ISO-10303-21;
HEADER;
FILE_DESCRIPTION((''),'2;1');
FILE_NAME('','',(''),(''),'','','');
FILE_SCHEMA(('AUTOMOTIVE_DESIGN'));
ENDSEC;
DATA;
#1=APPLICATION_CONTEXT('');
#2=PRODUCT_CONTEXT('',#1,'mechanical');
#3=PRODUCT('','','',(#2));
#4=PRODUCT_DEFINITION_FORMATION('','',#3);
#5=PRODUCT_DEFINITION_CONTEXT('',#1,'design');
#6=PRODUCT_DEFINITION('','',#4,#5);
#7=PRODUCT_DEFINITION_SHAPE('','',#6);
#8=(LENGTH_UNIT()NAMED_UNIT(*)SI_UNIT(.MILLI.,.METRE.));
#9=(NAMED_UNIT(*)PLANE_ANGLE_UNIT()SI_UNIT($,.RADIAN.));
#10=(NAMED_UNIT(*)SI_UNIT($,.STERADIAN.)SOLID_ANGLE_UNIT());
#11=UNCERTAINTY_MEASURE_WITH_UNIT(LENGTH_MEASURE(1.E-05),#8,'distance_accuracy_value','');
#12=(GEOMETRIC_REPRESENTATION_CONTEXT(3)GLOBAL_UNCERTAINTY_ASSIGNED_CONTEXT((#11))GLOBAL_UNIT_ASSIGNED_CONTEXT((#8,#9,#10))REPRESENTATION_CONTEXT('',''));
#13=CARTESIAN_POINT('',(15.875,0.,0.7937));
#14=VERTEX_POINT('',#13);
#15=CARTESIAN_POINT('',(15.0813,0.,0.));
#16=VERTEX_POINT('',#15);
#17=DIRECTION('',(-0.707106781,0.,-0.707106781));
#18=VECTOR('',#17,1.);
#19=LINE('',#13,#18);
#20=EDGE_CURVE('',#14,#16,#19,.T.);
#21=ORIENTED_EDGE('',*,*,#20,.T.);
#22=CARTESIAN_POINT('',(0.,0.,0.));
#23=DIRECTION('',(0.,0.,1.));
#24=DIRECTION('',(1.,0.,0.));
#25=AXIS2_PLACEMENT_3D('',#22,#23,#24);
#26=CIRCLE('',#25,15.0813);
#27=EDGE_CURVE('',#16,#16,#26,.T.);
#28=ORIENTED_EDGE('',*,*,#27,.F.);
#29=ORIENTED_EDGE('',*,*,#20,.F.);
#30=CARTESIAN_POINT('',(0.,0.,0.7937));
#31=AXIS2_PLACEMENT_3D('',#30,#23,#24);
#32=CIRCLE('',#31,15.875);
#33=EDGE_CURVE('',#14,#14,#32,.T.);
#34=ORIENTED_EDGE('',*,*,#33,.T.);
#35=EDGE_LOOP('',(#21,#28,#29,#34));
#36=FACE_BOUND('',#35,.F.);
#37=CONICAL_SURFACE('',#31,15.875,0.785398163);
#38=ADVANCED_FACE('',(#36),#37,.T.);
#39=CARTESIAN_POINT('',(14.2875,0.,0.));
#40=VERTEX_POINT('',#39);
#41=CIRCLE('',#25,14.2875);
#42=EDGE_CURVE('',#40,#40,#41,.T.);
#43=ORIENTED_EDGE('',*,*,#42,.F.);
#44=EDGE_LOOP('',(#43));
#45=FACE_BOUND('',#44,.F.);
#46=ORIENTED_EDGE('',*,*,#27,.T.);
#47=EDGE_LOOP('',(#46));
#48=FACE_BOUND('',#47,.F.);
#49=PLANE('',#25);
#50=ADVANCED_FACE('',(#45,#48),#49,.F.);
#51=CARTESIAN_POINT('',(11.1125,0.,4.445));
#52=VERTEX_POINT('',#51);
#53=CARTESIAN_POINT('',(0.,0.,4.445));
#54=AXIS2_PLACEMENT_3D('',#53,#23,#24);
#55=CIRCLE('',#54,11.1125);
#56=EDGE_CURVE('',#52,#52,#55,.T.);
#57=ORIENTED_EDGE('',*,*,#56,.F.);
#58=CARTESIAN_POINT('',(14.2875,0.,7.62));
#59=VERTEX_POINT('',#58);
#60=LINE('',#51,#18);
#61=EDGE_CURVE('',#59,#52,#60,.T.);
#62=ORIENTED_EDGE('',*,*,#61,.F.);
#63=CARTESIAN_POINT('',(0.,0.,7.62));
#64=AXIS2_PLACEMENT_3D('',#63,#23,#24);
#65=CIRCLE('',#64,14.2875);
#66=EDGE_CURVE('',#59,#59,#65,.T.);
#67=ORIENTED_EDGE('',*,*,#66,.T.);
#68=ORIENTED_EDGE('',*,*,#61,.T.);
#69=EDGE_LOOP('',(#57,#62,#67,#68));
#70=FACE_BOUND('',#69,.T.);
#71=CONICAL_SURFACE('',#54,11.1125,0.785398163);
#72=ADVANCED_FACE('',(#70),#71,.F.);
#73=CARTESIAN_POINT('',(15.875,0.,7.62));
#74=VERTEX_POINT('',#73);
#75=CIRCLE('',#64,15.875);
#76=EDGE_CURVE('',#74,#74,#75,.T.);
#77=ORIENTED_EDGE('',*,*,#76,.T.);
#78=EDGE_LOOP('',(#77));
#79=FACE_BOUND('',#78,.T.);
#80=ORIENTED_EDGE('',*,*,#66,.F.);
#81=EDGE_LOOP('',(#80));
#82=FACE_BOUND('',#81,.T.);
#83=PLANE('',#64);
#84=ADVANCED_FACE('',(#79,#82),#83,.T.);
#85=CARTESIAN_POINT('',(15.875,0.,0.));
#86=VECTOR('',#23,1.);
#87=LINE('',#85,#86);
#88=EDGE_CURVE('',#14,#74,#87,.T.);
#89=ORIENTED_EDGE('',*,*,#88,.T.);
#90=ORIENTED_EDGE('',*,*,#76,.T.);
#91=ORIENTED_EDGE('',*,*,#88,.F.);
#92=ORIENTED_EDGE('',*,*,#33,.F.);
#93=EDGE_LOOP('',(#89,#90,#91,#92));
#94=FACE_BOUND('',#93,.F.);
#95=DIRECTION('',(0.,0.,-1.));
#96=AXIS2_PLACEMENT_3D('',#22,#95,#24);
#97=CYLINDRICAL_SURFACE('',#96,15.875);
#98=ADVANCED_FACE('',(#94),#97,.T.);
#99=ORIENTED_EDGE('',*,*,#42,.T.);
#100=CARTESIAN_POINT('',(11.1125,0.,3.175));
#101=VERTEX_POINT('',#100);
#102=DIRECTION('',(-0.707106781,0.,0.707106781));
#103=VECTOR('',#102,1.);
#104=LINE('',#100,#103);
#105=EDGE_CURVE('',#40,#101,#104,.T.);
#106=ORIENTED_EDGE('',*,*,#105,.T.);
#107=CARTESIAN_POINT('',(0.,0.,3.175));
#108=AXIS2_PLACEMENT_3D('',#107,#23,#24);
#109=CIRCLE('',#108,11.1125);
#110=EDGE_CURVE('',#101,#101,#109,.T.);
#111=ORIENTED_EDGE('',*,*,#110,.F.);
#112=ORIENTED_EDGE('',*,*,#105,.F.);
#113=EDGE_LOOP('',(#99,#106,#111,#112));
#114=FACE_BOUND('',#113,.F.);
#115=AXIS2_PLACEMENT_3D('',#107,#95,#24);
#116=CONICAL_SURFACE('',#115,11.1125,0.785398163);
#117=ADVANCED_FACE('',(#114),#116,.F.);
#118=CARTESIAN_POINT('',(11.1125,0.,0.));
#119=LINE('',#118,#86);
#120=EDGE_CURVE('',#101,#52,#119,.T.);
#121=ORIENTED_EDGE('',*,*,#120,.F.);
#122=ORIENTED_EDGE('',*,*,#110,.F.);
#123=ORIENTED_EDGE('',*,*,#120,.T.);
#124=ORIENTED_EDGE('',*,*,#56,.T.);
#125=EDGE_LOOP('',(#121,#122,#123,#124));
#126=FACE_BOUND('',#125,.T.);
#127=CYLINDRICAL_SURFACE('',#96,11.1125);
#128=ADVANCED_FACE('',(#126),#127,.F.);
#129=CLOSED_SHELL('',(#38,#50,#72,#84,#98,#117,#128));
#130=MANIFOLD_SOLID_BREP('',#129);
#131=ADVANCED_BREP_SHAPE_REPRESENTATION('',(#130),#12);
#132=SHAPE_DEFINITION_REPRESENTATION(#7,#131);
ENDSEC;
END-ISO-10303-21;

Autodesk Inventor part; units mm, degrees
ref_plane "YZ Plane" through (0, 0, 0) normal (1, 0, 0) x (0, 1, 0)
ref_plane "XZ Plane" through (0, 0, 0) normal (0, 1, 0) x (-1, 0, 0)
ref_plane "XY Plane" through (0, 0, 0) normal (0, 0, 1) x (1, 0, 0)
sketch "Sketch1" plane through (0, 0, 0) normal (0, 0, 1) x (1, 0, 0)
  circle A0 centre (0, 0) radius 11.1125
  circle A1 centre (0, 0) radius 15.875
  dimension "d0" = 22.225
  dimension "d1" = 31.75
extrude "Extrusion1" add sketch "Sketch1" along normal blind 7.62
chamfer "Chamfer1" distance 0.7937 angle 45 1 edges at (-15.875, 0, 0)
chamfer "Chamfer2" distance 3.175 angle 45 2 edges at (-11.1125, 0, 7.62) (-11.1125, 0, 0)
equation "\"d1\" = Wheel_OD"
equation "\"Wheel_OD\" = 31.75"
properties part number "Tire" material "Rubber, Silicone"
